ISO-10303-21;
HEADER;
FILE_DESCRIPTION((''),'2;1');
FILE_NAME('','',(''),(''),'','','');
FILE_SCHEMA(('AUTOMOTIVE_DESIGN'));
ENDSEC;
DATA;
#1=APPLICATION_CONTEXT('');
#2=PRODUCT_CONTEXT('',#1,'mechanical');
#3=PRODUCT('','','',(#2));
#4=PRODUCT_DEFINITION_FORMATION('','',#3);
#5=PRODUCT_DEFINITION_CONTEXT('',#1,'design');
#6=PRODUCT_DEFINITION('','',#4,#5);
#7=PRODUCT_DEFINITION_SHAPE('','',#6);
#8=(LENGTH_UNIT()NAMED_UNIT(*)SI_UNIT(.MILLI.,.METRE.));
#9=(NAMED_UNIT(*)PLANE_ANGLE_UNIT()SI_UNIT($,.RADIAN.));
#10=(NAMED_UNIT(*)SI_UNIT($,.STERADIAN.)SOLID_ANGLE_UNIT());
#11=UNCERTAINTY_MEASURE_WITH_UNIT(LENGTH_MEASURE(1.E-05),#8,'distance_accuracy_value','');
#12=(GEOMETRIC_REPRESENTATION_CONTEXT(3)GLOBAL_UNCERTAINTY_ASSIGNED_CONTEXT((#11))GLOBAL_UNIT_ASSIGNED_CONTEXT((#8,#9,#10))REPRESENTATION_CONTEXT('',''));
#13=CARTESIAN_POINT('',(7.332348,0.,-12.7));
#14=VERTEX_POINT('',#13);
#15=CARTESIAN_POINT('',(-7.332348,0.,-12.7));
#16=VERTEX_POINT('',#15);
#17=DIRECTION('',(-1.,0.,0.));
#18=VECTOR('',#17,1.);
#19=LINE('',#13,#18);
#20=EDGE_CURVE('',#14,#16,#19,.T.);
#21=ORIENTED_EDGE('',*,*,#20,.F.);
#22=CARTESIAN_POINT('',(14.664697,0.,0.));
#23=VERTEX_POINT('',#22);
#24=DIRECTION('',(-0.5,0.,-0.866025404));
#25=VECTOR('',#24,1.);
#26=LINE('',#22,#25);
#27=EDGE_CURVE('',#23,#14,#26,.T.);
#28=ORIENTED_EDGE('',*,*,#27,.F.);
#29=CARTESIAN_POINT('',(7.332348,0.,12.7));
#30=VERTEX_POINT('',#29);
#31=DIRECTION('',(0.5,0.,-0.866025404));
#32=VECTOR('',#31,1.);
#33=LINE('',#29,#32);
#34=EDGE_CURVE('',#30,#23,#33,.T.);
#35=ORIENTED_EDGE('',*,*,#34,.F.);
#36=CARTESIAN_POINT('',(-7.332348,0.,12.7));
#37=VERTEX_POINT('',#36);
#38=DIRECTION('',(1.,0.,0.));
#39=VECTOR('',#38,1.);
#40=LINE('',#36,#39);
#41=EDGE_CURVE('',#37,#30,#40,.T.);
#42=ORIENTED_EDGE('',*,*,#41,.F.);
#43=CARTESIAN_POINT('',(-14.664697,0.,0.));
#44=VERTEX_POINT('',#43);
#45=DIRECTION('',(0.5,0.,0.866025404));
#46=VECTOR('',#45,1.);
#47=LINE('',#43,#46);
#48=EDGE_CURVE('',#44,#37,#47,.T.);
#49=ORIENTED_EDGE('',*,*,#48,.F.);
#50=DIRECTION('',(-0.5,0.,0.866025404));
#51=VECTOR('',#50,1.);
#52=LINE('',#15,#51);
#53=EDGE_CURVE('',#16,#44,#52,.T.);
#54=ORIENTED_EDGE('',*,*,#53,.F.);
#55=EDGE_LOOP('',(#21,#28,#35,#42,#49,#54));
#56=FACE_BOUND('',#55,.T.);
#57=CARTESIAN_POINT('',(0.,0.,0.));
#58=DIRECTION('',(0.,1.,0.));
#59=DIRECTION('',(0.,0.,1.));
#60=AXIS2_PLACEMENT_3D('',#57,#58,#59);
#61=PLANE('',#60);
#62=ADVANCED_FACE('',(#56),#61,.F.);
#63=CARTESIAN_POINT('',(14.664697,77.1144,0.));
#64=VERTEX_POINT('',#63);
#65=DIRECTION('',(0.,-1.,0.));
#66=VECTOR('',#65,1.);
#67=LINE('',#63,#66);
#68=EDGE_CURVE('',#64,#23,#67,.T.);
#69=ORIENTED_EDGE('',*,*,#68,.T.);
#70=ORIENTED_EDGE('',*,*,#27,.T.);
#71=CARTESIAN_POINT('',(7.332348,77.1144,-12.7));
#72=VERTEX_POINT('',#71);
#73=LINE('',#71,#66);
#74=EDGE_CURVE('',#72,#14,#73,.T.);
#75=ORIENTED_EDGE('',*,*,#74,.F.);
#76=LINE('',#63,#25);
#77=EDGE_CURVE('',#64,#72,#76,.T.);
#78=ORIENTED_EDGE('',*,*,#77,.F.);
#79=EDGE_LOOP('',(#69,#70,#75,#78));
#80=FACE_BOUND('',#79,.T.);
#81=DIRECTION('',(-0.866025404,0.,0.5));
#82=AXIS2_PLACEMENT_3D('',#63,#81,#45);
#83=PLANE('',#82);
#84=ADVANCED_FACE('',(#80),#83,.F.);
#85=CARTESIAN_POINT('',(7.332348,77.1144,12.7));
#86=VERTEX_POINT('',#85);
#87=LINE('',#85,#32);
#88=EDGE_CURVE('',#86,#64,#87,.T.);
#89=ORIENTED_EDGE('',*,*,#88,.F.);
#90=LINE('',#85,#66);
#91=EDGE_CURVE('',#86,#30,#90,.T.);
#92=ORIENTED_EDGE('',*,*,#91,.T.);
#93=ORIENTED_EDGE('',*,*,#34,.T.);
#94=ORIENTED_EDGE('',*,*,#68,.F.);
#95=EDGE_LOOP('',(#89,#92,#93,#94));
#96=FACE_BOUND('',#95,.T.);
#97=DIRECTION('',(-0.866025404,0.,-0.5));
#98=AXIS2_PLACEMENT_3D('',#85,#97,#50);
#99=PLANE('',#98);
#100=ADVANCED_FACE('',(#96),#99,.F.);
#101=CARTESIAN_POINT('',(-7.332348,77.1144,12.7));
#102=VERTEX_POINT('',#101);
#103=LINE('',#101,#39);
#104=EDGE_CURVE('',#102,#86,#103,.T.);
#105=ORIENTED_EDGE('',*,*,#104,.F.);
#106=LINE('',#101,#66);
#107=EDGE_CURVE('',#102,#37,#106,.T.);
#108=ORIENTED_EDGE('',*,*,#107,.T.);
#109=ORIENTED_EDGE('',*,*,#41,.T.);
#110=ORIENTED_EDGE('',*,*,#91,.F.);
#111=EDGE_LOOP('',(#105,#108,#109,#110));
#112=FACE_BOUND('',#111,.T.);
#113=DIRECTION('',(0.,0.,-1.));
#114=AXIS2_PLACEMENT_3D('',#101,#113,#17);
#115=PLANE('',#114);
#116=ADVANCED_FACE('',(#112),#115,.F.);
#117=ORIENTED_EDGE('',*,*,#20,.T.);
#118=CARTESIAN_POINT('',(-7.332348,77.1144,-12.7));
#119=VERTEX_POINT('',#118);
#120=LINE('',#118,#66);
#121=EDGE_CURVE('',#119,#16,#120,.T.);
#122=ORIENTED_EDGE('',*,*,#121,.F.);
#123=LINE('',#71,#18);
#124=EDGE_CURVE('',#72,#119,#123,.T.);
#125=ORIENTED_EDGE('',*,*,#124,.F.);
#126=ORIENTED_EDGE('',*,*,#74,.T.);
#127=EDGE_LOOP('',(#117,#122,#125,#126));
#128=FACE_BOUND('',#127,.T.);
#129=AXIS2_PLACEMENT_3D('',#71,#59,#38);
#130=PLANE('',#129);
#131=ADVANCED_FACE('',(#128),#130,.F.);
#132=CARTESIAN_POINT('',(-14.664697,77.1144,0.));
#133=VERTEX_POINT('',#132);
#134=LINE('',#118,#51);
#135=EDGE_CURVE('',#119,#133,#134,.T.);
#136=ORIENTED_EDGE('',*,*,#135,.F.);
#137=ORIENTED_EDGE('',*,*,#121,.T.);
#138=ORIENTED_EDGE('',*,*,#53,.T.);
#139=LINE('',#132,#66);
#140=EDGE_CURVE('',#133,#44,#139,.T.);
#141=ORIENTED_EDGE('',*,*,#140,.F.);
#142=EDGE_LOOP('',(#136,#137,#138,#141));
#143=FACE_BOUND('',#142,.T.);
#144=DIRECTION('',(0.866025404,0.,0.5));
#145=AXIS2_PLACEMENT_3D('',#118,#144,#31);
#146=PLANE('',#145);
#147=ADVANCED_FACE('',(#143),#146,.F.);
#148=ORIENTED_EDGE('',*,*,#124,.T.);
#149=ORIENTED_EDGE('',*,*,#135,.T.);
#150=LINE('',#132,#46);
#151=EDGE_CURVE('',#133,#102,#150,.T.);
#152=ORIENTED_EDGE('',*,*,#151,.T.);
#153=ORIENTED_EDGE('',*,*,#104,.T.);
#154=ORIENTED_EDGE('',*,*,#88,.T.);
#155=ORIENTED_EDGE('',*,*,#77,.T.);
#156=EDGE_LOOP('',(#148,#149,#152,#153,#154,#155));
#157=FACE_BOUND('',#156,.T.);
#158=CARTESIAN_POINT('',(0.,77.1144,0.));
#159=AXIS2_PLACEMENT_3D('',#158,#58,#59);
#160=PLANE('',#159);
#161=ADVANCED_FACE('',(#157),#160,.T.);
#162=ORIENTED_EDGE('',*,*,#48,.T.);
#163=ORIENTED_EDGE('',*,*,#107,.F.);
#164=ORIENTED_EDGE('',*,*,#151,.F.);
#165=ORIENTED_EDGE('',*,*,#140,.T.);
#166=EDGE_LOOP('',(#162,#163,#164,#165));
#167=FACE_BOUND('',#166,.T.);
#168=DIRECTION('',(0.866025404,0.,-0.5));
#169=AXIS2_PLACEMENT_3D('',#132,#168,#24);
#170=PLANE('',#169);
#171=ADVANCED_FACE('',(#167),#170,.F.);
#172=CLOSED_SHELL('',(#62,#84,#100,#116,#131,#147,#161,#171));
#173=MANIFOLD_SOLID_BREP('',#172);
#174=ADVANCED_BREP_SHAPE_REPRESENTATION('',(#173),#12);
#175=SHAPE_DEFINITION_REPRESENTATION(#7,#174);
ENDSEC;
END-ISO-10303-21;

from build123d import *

# Parameters (mm, degrees)
BOSS_EXTRUDE2_DEPTH = 77.1144


with BuildPart() as part:
    # Sketch1 → Boss-Extrude2 (new body)
    with BuildSketch(Plane(origin=(0, 0, 0), x_dir=(1, 0, 0), z_dir=(0, 1, 0))):
        Polygon((14.664696837, 0), (7.332348419, 12.7), (-7.332348419, 12.7), (-14.664696837, 0), (-7.332348419, -12.7), (7.332348419, -12.7), align=None)
    extrude(amount=BOSS_EXTRUDE2_DEPTH)


solid = part.part
